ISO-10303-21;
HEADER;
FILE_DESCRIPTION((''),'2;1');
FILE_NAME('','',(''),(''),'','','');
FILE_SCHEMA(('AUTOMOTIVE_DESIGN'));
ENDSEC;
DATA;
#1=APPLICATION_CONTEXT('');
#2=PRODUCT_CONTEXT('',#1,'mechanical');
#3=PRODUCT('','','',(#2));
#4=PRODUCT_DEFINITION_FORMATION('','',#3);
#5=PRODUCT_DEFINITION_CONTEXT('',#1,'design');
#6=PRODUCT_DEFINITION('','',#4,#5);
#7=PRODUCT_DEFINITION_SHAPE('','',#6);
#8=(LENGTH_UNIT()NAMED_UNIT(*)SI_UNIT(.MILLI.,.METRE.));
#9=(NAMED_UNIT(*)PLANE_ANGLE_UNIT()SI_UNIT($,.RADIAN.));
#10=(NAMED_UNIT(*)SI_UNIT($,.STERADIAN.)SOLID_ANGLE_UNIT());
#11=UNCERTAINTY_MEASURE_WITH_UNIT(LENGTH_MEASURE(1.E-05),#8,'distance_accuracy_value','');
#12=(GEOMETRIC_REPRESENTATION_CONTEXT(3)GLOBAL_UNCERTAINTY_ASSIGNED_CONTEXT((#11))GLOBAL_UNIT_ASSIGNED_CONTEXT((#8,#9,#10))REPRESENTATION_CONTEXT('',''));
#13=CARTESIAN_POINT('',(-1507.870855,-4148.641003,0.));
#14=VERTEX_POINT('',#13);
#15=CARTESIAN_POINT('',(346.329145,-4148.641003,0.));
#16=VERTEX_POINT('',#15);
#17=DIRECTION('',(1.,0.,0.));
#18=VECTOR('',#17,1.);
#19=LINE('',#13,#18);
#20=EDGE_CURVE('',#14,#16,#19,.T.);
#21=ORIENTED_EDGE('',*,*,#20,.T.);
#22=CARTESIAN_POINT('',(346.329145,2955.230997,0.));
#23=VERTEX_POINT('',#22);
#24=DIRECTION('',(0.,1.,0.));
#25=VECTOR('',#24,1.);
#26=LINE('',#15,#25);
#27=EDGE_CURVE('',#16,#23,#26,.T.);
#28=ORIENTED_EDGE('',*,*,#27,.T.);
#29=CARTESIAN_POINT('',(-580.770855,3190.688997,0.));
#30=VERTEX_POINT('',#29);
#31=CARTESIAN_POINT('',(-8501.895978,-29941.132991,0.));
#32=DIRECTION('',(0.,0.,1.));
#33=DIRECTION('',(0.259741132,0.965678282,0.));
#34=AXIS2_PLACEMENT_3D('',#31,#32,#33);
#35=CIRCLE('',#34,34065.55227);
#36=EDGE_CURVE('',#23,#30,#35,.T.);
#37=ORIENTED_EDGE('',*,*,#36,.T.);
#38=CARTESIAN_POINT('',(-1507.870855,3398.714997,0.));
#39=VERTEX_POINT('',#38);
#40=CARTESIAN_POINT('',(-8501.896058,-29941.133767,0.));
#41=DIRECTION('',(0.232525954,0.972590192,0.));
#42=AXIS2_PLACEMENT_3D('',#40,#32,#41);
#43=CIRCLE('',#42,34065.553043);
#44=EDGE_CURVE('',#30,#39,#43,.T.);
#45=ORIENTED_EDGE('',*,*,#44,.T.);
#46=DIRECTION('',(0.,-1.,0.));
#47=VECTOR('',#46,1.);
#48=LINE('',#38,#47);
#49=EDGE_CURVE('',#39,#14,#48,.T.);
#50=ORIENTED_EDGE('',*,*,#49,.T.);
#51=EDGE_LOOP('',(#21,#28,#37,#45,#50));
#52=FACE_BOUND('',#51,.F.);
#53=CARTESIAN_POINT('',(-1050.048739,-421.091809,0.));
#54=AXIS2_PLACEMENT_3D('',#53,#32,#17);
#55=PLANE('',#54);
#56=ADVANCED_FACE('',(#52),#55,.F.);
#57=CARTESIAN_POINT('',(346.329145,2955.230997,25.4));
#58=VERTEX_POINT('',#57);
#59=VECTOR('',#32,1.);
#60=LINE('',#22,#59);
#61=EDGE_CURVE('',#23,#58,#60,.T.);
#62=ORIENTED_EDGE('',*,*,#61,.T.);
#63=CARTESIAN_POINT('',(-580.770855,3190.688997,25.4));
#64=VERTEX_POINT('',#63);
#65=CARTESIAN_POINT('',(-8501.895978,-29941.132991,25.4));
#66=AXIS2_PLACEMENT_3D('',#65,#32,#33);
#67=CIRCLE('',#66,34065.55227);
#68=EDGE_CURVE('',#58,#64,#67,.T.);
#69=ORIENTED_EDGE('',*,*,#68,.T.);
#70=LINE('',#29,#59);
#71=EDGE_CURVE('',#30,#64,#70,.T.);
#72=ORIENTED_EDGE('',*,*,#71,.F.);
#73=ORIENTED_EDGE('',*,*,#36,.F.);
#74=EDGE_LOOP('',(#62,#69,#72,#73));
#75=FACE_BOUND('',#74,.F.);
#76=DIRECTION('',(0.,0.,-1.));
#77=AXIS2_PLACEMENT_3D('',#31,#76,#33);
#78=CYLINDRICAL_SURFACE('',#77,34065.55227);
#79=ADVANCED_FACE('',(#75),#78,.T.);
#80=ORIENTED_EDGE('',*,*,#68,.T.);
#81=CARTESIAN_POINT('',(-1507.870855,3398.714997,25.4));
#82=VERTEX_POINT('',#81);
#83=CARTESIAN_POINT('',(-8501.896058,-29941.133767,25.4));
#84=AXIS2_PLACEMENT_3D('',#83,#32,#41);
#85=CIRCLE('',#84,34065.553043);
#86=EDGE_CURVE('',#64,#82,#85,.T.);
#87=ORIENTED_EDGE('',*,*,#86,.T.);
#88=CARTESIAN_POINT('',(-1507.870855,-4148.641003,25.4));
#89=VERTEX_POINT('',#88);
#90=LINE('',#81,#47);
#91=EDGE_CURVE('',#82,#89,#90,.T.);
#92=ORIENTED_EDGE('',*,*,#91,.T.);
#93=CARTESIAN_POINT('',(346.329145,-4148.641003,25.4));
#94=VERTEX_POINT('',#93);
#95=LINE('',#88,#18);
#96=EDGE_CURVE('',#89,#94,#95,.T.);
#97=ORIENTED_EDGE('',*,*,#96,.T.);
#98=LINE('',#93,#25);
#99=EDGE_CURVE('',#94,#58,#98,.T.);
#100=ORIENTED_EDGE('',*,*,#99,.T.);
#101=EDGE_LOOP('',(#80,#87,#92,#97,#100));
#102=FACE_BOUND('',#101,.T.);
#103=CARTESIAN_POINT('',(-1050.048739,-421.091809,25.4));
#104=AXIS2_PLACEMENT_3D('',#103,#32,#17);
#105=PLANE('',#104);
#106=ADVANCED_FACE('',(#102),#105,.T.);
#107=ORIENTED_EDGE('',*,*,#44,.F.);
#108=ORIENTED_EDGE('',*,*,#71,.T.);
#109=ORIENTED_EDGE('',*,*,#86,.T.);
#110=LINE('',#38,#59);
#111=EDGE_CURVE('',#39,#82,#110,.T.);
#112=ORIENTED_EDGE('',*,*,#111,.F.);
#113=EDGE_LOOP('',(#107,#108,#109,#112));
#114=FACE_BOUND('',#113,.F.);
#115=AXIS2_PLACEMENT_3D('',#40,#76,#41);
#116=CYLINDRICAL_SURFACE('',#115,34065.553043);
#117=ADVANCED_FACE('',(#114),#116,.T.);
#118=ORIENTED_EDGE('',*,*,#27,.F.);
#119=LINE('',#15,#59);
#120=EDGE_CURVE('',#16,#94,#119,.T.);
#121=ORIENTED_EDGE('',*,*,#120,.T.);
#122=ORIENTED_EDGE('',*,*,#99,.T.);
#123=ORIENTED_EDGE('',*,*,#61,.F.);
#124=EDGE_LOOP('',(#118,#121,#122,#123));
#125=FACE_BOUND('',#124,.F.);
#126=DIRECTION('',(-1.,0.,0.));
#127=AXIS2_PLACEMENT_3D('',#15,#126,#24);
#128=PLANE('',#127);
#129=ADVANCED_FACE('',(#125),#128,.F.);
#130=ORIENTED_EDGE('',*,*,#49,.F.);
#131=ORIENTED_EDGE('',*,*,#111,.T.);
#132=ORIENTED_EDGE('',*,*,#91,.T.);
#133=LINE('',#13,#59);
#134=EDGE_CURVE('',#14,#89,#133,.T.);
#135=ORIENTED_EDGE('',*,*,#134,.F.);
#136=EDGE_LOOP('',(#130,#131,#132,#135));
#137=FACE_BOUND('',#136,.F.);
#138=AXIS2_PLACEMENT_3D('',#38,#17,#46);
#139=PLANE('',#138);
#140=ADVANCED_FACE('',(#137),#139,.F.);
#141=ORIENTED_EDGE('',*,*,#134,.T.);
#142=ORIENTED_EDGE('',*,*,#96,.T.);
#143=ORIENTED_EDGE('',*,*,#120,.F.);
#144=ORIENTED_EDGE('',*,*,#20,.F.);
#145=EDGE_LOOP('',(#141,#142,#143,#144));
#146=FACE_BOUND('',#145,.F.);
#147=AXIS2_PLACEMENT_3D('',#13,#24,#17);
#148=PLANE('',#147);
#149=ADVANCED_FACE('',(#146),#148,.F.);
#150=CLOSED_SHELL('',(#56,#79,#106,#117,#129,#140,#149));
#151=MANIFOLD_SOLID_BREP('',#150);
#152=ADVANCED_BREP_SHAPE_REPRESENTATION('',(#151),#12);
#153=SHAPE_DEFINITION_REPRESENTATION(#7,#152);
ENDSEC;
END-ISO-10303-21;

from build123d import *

# Parameters (mm, degrees)
F1_DEPTH = 25.4


with BuildPart() as f1:
    # F0 (on Top) → F1 (new body)
    with BuildSketch(Plane.XY):
        with BuildLine():
            Line((-1507.870855, 3398.714997), (-1507.870855, -4148.641003))
            Line((-1507.870855, -4148.641003), (-580.770855, -4148.641003))
            Line((-580.770855, -4148.641003), (-580.770855, 3190.688997))
            ThreePointArc((-580.770855, 3190.688997), (-1043.59554, 3297.934474), (-1507.870855, 3398.714997))
        make_face()
        with BuildLine():
            Line((-580.770855, 3190.688997), (-580.770855, -4148.641003))
            Line((-580.770855, -4148.641003), (346.329145, -4148.641003))
            Line((346.329145, -4148.641003), (346.329145, 2955.230997))
            ThreePointArc((346.329145, 2955.230997), (-116.39438, 3076.214183), (-580.770855, 3190.688997))
        make_face()
    extrude(amount=F1_DEPTH)


solid = f1.part
